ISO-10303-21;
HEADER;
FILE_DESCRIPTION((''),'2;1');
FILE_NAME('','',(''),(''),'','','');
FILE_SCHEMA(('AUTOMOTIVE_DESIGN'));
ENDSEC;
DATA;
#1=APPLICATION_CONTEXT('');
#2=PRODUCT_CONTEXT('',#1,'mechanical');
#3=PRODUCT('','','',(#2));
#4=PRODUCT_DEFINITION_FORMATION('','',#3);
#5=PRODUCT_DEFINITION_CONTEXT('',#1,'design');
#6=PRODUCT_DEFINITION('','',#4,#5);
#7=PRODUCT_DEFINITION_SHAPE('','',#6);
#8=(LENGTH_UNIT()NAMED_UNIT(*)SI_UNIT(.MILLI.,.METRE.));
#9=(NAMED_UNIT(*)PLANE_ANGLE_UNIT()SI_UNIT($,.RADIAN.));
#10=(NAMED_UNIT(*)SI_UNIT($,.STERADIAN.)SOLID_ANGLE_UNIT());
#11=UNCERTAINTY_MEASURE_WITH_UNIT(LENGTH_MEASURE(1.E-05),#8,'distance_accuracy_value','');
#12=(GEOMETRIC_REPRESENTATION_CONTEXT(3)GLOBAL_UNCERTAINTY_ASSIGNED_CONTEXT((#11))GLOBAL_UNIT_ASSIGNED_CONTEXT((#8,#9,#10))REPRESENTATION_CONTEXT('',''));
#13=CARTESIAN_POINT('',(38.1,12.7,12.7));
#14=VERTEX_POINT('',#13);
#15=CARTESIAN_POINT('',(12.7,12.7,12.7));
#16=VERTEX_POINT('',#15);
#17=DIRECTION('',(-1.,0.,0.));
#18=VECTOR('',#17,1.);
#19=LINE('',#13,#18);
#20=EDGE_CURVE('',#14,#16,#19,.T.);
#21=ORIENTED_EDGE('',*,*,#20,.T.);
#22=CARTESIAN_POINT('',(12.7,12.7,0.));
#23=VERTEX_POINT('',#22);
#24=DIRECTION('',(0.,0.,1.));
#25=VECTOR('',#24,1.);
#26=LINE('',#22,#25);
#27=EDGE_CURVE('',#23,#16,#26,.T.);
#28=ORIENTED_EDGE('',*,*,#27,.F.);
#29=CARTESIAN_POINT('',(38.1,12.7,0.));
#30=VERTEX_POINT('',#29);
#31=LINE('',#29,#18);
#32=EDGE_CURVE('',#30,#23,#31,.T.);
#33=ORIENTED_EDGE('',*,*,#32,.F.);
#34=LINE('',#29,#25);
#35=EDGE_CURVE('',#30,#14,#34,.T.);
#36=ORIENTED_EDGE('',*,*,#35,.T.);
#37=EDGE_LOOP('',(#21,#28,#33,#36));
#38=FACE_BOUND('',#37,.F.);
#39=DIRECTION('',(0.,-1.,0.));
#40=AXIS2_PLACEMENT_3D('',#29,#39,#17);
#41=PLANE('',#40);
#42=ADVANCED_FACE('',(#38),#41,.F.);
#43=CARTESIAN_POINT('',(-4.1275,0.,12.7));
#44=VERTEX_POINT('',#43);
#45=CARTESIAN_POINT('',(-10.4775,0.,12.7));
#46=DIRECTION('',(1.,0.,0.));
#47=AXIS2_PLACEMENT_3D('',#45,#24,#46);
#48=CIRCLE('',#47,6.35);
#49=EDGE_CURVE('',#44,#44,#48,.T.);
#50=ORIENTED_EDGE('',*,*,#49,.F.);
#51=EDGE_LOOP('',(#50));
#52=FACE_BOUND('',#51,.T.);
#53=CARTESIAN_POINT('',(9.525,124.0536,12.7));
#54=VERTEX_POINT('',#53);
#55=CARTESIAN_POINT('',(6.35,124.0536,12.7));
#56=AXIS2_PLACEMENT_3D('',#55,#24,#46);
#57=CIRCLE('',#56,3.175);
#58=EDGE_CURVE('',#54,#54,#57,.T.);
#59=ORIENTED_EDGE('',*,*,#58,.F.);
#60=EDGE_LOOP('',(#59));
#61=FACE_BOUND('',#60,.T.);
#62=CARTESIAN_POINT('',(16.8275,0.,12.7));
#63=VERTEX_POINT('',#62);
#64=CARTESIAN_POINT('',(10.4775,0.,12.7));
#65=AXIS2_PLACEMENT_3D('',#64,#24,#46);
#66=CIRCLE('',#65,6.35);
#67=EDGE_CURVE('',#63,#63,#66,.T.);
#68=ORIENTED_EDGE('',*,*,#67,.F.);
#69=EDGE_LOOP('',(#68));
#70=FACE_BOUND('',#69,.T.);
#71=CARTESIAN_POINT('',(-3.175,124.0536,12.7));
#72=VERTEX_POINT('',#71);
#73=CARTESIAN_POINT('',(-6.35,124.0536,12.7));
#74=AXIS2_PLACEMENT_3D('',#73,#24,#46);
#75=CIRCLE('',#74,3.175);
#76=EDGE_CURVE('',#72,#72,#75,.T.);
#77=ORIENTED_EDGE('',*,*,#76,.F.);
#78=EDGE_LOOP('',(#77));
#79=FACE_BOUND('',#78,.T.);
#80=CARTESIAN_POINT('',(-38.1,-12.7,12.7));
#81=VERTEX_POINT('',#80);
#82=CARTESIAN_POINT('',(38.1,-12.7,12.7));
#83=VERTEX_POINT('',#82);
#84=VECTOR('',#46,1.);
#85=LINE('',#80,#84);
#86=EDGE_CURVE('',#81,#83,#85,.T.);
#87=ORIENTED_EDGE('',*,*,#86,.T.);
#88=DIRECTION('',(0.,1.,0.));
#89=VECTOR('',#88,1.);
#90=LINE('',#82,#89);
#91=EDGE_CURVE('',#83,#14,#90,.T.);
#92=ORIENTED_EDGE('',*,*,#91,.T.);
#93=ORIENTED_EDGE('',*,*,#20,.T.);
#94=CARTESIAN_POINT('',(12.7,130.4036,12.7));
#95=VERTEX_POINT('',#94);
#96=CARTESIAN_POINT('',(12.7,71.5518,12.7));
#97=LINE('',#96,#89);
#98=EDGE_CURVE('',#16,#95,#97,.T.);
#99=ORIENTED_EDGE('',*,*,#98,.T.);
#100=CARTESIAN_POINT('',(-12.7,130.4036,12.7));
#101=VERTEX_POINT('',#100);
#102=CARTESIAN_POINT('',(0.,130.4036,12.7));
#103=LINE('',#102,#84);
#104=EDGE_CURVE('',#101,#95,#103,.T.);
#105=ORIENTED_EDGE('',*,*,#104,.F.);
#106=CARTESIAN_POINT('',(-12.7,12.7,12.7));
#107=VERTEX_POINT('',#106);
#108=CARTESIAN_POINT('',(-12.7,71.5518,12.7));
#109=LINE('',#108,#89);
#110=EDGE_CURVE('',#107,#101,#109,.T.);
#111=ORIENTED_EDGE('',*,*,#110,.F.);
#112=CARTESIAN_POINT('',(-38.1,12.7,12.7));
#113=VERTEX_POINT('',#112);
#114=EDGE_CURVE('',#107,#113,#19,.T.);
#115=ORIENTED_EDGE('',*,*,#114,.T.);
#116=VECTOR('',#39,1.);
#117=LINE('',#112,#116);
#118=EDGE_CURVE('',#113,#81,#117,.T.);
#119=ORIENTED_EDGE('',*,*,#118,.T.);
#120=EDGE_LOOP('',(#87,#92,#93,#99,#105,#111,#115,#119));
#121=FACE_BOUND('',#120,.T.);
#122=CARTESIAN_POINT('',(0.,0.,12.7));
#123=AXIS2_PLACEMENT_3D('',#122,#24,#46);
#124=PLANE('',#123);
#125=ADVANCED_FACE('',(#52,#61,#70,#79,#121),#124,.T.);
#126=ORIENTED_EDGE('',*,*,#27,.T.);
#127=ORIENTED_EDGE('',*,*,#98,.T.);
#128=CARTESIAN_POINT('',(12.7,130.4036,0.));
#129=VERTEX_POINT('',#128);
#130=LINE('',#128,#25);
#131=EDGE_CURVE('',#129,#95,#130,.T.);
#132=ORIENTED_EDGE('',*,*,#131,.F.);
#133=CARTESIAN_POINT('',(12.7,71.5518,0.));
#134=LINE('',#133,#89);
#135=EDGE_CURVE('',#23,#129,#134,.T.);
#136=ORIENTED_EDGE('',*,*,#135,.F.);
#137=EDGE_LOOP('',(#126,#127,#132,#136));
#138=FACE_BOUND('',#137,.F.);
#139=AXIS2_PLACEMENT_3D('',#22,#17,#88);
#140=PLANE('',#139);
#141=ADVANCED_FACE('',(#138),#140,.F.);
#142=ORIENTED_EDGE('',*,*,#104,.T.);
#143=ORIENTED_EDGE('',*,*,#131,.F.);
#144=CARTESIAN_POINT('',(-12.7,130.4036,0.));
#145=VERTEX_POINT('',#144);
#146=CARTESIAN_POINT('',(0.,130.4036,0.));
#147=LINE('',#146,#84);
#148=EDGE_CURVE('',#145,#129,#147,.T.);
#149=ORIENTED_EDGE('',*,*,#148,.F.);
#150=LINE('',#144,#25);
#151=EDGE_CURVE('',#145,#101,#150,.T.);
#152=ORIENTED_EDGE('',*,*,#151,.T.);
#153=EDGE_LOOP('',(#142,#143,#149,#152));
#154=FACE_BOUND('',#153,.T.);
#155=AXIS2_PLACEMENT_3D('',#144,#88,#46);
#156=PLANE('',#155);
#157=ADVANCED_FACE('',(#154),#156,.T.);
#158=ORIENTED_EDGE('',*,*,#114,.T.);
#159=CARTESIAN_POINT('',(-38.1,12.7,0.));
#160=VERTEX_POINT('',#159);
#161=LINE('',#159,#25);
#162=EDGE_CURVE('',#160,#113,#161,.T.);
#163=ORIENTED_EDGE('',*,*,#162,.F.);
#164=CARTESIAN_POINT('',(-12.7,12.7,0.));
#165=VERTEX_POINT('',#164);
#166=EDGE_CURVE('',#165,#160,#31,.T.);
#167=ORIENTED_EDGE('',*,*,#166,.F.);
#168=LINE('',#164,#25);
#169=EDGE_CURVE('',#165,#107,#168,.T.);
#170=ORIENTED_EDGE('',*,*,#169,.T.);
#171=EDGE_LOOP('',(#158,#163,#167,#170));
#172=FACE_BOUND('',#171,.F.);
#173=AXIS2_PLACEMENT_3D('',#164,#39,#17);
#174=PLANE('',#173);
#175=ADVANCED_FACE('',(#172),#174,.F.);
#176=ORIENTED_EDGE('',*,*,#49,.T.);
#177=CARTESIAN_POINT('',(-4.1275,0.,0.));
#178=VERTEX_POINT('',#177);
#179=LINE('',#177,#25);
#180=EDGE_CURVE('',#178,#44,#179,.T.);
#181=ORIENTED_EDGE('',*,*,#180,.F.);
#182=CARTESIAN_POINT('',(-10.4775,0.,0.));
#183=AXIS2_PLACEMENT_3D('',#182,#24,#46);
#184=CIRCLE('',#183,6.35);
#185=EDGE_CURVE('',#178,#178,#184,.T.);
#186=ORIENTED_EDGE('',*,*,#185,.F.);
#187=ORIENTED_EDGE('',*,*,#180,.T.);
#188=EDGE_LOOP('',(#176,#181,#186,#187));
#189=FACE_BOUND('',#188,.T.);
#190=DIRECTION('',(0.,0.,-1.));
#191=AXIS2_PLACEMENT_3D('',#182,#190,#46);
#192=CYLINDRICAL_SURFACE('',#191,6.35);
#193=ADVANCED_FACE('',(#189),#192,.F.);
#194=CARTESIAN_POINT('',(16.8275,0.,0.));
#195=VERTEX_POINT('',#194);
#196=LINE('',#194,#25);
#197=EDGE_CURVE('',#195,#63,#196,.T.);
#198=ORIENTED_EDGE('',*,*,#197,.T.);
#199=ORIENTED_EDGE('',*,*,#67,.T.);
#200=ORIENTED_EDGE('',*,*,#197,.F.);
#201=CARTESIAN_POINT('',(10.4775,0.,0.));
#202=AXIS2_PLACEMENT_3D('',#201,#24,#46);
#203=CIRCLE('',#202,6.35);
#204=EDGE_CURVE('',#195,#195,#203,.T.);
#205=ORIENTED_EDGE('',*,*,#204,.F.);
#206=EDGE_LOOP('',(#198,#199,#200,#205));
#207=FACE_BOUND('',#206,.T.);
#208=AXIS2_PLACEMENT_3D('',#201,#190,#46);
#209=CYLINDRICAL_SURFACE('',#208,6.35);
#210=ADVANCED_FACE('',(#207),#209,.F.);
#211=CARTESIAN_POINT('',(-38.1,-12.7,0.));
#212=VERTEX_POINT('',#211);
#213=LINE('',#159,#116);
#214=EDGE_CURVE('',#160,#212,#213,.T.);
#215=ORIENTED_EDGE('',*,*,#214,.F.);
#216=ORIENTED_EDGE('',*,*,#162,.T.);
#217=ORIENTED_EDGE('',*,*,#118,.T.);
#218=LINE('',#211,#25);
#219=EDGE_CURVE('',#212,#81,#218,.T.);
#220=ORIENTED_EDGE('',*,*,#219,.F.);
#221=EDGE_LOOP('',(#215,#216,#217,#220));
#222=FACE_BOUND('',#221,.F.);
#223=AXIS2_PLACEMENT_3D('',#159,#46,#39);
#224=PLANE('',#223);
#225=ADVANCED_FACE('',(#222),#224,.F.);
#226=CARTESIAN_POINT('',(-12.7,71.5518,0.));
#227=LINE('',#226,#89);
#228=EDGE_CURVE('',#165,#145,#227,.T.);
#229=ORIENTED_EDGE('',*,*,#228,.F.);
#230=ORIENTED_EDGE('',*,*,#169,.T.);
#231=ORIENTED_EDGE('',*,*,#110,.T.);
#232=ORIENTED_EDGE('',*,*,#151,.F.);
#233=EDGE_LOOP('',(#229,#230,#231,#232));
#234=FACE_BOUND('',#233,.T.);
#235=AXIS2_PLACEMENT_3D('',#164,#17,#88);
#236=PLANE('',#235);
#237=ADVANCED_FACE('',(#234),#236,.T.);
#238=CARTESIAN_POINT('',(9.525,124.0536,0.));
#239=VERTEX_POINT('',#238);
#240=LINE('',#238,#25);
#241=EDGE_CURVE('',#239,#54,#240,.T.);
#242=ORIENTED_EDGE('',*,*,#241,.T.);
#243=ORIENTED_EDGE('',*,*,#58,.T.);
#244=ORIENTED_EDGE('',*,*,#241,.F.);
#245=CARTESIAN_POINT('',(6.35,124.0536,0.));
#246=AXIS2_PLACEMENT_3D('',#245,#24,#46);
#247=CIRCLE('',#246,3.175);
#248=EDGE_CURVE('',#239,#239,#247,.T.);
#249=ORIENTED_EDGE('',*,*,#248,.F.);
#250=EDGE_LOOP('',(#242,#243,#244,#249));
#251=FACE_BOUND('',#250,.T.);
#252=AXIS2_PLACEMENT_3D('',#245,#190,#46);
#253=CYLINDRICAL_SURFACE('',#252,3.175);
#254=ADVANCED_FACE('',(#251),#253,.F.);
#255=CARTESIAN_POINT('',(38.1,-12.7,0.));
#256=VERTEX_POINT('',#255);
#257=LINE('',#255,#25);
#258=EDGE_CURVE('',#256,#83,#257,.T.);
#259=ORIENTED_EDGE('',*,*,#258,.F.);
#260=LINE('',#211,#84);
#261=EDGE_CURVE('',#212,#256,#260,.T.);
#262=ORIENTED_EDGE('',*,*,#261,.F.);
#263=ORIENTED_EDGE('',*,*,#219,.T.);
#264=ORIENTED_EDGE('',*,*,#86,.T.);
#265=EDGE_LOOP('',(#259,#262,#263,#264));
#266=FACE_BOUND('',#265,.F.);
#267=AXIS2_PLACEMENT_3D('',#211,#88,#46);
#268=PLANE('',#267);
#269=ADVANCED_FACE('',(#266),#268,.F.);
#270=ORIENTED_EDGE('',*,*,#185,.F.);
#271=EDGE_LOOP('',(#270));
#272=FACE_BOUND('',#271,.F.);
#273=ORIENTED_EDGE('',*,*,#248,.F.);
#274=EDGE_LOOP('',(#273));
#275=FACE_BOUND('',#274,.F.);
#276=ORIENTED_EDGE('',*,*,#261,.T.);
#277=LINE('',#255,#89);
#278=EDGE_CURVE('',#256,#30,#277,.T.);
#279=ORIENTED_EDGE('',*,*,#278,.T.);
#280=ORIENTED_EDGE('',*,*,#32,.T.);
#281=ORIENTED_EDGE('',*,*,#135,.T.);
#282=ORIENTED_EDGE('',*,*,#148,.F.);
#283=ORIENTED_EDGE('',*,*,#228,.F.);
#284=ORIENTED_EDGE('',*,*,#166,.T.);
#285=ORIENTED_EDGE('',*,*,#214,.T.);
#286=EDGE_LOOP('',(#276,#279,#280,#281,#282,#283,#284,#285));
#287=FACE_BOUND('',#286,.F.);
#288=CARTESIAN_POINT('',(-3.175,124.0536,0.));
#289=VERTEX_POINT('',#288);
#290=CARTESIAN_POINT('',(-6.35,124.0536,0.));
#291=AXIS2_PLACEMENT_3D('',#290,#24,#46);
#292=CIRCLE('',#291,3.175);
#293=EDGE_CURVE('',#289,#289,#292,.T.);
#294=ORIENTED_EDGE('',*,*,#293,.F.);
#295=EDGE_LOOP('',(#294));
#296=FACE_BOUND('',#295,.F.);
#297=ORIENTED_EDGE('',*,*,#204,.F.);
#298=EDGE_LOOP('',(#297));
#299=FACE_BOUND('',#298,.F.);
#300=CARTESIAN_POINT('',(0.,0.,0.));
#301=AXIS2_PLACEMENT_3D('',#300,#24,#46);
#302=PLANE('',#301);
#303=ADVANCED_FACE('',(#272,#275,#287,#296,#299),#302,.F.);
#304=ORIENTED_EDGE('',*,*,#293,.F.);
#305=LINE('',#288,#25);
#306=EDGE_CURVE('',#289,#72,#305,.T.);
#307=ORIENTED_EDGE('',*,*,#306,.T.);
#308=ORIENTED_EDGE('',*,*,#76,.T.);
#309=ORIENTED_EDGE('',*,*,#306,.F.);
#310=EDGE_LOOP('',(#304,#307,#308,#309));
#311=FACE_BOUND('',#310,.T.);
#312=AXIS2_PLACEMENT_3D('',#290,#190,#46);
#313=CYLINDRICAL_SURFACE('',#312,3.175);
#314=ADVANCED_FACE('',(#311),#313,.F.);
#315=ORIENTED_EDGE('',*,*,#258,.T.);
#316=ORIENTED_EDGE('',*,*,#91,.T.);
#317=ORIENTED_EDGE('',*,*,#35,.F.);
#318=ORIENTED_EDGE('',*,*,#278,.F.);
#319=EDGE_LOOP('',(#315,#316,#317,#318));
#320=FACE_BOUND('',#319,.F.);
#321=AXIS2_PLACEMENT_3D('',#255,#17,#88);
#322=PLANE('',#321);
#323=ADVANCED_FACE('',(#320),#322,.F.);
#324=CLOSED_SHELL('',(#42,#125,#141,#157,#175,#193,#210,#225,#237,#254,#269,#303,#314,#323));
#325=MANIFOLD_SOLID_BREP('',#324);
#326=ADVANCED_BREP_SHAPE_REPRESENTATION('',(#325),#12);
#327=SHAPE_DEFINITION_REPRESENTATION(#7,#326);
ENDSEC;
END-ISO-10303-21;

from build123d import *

# Parameters (mm, degrees)
F0_R     = 6.35
F0_W     = 25.4
F0_H     = 117.7036
F0_R_2   = 3.175
F1_DEPTH = 12.7


with BuildPart() as f1:
    # F0 (on Top) → F1 (new body)
    with BuildSketch(Plane.XY):
        Polygon((38.1, -12.7), (38.1, 12.7), (12.7, 12.7), (-12.7, 12.7), (-38.1, 12.7), (-38.1, -12.7), align=None)
        with Locations((-10.4775, 0)):
            Circle(F0_R, mode=Mode.SUBTRACT)
        with Locations((10.4775, 0)):
            Circle(F0_R, mode=Mode.SUBTRACT)
        with Locations((0, 71.5518)):
            Rectangle(F0_W, F0_H)
        with Locations((-6.35, 124.0536)):
            Circle(F0_R_2, mode=Mode.SUBTRACT)
        with Locations((6.35, 124.0536)):
            Circle(F0_R_2, mode=Mode.SUBTRACT)
    extrude(amount=F1_DEPTH)


solid = f1.part
